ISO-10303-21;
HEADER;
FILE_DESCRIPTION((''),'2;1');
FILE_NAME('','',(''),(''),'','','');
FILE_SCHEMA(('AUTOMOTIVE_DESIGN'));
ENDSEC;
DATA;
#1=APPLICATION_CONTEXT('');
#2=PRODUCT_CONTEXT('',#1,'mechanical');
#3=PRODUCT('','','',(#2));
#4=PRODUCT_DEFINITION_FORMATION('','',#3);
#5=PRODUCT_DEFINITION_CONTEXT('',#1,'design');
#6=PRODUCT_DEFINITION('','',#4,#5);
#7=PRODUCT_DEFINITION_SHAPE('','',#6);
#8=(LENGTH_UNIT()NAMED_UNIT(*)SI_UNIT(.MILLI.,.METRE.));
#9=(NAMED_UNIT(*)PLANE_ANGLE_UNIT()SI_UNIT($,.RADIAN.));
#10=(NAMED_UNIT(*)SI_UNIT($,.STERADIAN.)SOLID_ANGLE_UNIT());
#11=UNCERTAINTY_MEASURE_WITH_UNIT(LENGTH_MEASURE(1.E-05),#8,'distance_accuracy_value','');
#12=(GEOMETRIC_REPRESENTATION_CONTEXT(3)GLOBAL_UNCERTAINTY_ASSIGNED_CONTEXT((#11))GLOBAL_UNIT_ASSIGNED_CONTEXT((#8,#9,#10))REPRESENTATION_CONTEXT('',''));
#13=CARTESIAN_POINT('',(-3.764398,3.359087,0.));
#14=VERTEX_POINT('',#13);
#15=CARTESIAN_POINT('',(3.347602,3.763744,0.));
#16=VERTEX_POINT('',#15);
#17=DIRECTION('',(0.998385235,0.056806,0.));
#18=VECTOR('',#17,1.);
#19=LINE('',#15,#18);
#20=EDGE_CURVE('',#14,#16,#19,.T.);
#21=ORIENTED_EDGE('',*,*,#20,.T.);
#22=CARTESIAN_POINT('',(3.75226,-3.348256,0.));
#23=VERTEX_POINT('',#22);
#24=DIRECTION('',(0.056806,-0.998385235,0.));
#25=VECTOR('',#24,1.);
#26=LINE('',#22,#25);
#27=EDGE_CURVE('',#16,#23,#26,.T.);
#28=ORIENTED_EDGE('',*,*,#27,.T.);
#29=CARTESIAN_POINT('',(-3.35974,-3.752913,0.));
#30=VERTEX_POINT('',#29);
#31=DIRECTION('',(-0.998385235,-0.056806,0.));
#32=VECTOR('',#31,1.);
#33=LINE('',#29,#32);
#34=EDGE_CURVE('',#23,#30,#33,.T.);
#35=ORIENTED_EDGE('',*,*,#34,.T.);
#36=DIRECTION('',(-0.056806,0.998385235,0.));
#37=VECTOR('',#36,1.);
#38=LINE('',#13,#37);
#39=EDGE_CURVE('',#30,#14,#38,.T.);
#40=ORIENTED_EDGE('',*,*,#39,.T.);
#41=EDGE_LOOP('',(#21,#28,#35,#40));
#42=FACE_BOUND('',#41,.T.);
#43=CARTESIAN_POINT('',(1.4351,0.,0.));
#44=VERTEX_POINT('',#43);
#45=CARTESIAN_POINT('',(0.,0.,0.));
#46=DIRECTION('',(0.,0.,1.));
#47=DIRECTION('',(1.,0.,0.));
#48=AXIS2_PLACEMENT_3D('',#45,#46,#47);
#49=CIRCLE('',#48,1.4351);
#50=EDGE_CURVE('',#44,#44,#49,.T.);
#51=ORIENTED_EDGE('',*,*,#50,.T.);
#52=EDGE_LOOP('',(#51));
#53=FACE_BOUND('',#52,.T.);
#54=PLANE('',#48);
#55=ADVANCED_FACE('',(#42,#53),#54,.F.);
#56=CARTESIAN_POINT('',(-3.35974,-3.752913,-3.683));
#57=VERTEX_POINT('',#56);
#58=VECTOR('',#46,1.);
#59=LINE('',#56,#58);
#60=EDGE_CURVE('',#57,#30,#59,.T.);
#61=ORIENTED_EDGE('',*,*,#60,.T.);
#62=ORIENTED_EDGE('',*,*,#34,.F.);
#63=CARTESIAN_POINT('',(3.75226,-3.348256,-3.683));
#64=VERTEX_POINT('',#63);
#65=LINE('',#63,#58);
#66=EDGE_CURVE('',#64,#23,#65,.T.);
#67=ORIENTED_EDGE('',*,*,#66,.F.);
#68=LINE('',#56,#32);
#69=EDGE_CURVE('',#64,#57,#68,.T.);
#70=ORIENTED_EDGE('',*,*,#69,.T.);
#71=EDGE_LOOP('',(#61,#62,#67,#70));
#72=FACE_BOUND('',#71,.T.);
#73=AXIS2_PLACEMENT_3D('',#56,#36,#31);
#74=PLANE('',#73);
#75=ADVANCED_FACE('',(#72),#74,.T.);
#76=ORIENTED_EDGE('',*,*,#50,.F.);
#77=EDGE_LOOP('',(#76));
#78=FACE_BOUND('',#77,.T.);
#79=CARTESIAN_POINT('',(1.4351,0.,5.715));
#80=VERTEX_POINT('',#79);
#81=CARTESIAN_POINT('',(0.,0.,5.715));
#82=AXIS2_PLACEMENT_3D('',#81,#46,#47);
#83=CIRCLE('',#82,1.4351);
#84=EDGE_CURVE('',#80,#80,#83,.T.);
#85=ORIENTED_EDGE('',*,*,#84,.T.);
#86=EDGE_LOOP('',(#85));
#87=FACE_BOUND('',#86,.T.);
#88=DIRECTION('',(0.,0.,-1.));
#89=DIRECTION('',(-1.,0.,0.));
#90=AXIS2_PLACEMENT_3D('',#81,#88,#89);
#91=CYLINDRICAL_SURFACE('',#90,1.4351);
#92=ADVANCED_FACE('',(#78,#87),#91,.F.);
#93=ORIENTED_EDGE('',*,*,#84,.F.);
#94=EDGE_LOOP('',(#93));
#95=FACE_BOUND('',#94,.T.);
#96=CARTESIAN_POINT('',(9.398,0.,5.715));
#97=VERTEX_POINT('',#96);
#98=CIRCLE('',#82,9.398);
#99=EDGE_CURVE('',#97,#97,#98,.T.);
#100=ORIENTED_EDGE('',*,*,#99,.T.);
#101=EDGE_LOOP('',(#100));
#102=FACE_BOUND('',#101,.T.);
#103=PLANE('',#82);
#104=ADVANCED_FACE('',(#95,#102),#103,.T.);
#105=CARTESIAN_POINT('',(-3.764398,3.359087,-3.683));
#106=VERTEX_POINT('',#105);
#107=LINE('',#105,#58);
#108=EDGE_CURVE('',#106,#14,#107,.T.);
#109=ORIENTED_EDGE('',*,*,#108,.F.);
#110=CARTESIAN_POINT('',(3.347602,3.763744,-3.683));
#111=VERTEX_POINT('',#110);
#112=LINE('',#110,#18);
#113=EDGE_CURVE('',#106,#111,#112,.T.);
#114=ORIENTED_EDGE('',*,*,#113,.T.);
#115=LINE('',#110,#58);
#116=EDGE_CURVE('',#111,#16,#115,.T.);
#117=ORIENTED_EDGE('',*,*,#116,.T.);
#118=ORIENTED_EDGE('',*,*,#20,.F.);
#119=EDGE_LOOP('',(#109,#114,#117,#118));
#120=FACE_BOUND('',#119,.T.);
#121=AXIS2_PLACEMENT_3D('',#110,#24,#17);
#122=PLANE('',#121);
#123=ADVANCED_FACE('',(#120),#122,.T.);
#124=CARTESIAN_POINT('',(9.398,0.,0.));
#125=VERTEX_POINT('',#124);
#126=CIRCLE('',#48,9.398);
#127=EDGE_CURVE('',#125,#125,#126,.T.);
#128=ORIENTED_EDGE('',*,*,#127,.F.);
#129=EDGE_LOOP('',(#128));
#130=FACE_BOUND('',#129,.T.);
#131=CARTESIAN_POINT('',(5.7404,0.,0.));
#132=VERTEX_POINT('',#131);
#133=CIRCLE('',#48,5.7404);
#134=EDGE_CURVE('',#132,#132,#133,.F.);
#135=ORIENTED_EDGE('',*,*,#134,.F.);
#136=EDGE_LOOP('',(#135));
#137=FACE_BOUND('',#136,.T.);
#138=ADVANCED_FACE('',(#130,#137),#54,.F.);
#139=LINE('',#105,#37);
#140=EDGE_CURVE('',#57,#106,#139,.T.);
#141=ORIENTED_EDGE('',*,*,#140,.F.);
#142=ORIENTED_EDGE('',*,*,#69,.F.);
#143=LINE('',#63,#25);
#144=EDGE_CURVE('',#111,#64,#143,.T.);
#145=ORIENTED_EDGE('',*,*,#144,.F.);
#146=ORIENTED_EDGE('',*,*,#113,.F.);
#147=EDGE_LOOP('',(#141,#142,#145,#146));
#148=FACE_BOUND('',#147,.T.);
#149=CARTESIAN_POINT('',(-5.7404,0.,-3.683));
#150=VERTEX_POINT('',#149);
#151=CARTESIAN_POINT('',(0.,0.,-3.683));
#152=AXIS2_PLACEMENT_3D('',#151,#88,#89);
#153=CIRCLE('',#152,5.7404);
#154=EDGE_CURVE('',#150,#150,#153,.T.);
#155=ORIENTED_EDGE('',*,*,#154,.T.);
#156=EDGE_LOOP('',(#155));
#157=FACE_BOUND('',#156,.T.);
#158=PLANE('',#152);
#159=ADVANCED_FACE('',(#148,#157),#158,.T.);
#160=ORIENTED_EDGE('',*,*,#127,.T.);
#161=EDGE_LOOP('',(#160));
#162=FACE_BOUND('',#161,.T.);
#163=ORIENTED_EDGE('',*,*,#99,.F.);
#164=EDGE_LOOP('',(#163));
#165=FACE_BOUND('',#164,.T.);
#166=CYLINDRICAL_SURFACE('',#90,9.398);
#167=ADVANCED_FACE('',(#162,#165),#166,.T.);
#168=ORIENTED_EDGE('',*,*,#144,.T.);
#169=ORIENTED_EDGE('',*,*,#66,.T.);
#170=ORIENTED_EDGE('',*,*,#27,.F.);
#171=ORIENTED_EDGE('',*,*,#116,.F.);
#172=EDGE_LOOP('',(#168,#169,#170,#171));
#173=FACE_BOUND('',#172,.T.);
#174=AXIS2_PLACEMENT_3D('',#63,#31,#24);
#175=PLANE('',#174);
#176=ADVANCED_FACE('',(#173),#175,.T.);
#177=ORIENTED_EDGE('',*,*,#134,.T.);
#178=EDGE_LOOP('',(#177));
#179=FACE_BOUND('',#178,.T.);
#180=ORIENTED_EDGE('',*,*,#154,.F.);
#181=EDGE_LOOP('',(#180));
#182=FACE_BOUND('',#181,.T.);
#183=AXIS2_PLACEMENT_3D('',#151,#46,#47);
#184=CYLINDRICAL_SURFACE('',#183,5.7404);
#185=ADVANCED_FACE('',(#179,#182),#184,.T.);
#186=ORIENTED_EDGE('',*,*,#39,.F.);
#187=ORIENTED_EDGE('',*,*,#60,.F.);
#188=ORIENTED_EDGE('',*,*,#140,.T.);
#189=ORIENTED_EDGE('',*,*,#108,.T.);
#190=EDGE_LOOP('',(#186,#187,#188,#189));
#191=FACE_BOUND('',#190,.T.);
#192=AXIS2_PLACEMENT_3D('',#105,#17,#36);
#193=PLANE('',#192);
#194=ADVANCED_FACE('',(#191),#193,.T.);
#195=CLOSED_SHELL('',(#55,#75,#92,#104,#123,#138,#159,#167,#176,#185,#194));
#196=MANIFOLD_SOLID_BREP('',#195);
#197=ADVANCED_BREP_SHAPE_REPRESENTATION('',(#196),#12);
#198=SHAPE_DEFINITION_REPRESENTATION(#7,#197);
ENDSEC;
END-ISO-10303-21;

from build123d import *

# Parameters (mm, degrees)
SKETCH1_R           = 9.398
SKETCH1_R_2         = 1.4351
BOSS_EXTRUDE1_DEPTH = 5.715
SKETCH2_R           = 5.7404
BOSS_EXTRUDE2_DEPTH = 3.683


with BuildPart() as part:
    # Sketch1 → Boss-Extrude1 (new body)
    with BuildSketch(Plane.XY):
        Circle(SKETCH1_R)
        Circle(SKETCH1_R_2, mode=Mode.SUBTRACT)
    extrude(amount=BOSS_EXTRUDE1_DEPTH)

    # Sketch2 → Boss-Extrude2 (add)
    with BuildSketch(Plane(origin=(0, 0, 0), x_dir=(-1, 0, 0), z_dir=(0, 0, -1))):
        with Locations(Location((0, 0, 0), (0, 0, 180))):
            Circle(SKETCH2_R)
        Polygon((3.764397664, 3.359086542), (3.359739968, -3.752913458), (-3.752260032, -3.348255763), (-3.347602336, 3.763744237), align=None, mode=Mode.SUBTRACT)
    extrude(amount=BOSS_EXTRUDE2_DEPTH)


solid = part.part
